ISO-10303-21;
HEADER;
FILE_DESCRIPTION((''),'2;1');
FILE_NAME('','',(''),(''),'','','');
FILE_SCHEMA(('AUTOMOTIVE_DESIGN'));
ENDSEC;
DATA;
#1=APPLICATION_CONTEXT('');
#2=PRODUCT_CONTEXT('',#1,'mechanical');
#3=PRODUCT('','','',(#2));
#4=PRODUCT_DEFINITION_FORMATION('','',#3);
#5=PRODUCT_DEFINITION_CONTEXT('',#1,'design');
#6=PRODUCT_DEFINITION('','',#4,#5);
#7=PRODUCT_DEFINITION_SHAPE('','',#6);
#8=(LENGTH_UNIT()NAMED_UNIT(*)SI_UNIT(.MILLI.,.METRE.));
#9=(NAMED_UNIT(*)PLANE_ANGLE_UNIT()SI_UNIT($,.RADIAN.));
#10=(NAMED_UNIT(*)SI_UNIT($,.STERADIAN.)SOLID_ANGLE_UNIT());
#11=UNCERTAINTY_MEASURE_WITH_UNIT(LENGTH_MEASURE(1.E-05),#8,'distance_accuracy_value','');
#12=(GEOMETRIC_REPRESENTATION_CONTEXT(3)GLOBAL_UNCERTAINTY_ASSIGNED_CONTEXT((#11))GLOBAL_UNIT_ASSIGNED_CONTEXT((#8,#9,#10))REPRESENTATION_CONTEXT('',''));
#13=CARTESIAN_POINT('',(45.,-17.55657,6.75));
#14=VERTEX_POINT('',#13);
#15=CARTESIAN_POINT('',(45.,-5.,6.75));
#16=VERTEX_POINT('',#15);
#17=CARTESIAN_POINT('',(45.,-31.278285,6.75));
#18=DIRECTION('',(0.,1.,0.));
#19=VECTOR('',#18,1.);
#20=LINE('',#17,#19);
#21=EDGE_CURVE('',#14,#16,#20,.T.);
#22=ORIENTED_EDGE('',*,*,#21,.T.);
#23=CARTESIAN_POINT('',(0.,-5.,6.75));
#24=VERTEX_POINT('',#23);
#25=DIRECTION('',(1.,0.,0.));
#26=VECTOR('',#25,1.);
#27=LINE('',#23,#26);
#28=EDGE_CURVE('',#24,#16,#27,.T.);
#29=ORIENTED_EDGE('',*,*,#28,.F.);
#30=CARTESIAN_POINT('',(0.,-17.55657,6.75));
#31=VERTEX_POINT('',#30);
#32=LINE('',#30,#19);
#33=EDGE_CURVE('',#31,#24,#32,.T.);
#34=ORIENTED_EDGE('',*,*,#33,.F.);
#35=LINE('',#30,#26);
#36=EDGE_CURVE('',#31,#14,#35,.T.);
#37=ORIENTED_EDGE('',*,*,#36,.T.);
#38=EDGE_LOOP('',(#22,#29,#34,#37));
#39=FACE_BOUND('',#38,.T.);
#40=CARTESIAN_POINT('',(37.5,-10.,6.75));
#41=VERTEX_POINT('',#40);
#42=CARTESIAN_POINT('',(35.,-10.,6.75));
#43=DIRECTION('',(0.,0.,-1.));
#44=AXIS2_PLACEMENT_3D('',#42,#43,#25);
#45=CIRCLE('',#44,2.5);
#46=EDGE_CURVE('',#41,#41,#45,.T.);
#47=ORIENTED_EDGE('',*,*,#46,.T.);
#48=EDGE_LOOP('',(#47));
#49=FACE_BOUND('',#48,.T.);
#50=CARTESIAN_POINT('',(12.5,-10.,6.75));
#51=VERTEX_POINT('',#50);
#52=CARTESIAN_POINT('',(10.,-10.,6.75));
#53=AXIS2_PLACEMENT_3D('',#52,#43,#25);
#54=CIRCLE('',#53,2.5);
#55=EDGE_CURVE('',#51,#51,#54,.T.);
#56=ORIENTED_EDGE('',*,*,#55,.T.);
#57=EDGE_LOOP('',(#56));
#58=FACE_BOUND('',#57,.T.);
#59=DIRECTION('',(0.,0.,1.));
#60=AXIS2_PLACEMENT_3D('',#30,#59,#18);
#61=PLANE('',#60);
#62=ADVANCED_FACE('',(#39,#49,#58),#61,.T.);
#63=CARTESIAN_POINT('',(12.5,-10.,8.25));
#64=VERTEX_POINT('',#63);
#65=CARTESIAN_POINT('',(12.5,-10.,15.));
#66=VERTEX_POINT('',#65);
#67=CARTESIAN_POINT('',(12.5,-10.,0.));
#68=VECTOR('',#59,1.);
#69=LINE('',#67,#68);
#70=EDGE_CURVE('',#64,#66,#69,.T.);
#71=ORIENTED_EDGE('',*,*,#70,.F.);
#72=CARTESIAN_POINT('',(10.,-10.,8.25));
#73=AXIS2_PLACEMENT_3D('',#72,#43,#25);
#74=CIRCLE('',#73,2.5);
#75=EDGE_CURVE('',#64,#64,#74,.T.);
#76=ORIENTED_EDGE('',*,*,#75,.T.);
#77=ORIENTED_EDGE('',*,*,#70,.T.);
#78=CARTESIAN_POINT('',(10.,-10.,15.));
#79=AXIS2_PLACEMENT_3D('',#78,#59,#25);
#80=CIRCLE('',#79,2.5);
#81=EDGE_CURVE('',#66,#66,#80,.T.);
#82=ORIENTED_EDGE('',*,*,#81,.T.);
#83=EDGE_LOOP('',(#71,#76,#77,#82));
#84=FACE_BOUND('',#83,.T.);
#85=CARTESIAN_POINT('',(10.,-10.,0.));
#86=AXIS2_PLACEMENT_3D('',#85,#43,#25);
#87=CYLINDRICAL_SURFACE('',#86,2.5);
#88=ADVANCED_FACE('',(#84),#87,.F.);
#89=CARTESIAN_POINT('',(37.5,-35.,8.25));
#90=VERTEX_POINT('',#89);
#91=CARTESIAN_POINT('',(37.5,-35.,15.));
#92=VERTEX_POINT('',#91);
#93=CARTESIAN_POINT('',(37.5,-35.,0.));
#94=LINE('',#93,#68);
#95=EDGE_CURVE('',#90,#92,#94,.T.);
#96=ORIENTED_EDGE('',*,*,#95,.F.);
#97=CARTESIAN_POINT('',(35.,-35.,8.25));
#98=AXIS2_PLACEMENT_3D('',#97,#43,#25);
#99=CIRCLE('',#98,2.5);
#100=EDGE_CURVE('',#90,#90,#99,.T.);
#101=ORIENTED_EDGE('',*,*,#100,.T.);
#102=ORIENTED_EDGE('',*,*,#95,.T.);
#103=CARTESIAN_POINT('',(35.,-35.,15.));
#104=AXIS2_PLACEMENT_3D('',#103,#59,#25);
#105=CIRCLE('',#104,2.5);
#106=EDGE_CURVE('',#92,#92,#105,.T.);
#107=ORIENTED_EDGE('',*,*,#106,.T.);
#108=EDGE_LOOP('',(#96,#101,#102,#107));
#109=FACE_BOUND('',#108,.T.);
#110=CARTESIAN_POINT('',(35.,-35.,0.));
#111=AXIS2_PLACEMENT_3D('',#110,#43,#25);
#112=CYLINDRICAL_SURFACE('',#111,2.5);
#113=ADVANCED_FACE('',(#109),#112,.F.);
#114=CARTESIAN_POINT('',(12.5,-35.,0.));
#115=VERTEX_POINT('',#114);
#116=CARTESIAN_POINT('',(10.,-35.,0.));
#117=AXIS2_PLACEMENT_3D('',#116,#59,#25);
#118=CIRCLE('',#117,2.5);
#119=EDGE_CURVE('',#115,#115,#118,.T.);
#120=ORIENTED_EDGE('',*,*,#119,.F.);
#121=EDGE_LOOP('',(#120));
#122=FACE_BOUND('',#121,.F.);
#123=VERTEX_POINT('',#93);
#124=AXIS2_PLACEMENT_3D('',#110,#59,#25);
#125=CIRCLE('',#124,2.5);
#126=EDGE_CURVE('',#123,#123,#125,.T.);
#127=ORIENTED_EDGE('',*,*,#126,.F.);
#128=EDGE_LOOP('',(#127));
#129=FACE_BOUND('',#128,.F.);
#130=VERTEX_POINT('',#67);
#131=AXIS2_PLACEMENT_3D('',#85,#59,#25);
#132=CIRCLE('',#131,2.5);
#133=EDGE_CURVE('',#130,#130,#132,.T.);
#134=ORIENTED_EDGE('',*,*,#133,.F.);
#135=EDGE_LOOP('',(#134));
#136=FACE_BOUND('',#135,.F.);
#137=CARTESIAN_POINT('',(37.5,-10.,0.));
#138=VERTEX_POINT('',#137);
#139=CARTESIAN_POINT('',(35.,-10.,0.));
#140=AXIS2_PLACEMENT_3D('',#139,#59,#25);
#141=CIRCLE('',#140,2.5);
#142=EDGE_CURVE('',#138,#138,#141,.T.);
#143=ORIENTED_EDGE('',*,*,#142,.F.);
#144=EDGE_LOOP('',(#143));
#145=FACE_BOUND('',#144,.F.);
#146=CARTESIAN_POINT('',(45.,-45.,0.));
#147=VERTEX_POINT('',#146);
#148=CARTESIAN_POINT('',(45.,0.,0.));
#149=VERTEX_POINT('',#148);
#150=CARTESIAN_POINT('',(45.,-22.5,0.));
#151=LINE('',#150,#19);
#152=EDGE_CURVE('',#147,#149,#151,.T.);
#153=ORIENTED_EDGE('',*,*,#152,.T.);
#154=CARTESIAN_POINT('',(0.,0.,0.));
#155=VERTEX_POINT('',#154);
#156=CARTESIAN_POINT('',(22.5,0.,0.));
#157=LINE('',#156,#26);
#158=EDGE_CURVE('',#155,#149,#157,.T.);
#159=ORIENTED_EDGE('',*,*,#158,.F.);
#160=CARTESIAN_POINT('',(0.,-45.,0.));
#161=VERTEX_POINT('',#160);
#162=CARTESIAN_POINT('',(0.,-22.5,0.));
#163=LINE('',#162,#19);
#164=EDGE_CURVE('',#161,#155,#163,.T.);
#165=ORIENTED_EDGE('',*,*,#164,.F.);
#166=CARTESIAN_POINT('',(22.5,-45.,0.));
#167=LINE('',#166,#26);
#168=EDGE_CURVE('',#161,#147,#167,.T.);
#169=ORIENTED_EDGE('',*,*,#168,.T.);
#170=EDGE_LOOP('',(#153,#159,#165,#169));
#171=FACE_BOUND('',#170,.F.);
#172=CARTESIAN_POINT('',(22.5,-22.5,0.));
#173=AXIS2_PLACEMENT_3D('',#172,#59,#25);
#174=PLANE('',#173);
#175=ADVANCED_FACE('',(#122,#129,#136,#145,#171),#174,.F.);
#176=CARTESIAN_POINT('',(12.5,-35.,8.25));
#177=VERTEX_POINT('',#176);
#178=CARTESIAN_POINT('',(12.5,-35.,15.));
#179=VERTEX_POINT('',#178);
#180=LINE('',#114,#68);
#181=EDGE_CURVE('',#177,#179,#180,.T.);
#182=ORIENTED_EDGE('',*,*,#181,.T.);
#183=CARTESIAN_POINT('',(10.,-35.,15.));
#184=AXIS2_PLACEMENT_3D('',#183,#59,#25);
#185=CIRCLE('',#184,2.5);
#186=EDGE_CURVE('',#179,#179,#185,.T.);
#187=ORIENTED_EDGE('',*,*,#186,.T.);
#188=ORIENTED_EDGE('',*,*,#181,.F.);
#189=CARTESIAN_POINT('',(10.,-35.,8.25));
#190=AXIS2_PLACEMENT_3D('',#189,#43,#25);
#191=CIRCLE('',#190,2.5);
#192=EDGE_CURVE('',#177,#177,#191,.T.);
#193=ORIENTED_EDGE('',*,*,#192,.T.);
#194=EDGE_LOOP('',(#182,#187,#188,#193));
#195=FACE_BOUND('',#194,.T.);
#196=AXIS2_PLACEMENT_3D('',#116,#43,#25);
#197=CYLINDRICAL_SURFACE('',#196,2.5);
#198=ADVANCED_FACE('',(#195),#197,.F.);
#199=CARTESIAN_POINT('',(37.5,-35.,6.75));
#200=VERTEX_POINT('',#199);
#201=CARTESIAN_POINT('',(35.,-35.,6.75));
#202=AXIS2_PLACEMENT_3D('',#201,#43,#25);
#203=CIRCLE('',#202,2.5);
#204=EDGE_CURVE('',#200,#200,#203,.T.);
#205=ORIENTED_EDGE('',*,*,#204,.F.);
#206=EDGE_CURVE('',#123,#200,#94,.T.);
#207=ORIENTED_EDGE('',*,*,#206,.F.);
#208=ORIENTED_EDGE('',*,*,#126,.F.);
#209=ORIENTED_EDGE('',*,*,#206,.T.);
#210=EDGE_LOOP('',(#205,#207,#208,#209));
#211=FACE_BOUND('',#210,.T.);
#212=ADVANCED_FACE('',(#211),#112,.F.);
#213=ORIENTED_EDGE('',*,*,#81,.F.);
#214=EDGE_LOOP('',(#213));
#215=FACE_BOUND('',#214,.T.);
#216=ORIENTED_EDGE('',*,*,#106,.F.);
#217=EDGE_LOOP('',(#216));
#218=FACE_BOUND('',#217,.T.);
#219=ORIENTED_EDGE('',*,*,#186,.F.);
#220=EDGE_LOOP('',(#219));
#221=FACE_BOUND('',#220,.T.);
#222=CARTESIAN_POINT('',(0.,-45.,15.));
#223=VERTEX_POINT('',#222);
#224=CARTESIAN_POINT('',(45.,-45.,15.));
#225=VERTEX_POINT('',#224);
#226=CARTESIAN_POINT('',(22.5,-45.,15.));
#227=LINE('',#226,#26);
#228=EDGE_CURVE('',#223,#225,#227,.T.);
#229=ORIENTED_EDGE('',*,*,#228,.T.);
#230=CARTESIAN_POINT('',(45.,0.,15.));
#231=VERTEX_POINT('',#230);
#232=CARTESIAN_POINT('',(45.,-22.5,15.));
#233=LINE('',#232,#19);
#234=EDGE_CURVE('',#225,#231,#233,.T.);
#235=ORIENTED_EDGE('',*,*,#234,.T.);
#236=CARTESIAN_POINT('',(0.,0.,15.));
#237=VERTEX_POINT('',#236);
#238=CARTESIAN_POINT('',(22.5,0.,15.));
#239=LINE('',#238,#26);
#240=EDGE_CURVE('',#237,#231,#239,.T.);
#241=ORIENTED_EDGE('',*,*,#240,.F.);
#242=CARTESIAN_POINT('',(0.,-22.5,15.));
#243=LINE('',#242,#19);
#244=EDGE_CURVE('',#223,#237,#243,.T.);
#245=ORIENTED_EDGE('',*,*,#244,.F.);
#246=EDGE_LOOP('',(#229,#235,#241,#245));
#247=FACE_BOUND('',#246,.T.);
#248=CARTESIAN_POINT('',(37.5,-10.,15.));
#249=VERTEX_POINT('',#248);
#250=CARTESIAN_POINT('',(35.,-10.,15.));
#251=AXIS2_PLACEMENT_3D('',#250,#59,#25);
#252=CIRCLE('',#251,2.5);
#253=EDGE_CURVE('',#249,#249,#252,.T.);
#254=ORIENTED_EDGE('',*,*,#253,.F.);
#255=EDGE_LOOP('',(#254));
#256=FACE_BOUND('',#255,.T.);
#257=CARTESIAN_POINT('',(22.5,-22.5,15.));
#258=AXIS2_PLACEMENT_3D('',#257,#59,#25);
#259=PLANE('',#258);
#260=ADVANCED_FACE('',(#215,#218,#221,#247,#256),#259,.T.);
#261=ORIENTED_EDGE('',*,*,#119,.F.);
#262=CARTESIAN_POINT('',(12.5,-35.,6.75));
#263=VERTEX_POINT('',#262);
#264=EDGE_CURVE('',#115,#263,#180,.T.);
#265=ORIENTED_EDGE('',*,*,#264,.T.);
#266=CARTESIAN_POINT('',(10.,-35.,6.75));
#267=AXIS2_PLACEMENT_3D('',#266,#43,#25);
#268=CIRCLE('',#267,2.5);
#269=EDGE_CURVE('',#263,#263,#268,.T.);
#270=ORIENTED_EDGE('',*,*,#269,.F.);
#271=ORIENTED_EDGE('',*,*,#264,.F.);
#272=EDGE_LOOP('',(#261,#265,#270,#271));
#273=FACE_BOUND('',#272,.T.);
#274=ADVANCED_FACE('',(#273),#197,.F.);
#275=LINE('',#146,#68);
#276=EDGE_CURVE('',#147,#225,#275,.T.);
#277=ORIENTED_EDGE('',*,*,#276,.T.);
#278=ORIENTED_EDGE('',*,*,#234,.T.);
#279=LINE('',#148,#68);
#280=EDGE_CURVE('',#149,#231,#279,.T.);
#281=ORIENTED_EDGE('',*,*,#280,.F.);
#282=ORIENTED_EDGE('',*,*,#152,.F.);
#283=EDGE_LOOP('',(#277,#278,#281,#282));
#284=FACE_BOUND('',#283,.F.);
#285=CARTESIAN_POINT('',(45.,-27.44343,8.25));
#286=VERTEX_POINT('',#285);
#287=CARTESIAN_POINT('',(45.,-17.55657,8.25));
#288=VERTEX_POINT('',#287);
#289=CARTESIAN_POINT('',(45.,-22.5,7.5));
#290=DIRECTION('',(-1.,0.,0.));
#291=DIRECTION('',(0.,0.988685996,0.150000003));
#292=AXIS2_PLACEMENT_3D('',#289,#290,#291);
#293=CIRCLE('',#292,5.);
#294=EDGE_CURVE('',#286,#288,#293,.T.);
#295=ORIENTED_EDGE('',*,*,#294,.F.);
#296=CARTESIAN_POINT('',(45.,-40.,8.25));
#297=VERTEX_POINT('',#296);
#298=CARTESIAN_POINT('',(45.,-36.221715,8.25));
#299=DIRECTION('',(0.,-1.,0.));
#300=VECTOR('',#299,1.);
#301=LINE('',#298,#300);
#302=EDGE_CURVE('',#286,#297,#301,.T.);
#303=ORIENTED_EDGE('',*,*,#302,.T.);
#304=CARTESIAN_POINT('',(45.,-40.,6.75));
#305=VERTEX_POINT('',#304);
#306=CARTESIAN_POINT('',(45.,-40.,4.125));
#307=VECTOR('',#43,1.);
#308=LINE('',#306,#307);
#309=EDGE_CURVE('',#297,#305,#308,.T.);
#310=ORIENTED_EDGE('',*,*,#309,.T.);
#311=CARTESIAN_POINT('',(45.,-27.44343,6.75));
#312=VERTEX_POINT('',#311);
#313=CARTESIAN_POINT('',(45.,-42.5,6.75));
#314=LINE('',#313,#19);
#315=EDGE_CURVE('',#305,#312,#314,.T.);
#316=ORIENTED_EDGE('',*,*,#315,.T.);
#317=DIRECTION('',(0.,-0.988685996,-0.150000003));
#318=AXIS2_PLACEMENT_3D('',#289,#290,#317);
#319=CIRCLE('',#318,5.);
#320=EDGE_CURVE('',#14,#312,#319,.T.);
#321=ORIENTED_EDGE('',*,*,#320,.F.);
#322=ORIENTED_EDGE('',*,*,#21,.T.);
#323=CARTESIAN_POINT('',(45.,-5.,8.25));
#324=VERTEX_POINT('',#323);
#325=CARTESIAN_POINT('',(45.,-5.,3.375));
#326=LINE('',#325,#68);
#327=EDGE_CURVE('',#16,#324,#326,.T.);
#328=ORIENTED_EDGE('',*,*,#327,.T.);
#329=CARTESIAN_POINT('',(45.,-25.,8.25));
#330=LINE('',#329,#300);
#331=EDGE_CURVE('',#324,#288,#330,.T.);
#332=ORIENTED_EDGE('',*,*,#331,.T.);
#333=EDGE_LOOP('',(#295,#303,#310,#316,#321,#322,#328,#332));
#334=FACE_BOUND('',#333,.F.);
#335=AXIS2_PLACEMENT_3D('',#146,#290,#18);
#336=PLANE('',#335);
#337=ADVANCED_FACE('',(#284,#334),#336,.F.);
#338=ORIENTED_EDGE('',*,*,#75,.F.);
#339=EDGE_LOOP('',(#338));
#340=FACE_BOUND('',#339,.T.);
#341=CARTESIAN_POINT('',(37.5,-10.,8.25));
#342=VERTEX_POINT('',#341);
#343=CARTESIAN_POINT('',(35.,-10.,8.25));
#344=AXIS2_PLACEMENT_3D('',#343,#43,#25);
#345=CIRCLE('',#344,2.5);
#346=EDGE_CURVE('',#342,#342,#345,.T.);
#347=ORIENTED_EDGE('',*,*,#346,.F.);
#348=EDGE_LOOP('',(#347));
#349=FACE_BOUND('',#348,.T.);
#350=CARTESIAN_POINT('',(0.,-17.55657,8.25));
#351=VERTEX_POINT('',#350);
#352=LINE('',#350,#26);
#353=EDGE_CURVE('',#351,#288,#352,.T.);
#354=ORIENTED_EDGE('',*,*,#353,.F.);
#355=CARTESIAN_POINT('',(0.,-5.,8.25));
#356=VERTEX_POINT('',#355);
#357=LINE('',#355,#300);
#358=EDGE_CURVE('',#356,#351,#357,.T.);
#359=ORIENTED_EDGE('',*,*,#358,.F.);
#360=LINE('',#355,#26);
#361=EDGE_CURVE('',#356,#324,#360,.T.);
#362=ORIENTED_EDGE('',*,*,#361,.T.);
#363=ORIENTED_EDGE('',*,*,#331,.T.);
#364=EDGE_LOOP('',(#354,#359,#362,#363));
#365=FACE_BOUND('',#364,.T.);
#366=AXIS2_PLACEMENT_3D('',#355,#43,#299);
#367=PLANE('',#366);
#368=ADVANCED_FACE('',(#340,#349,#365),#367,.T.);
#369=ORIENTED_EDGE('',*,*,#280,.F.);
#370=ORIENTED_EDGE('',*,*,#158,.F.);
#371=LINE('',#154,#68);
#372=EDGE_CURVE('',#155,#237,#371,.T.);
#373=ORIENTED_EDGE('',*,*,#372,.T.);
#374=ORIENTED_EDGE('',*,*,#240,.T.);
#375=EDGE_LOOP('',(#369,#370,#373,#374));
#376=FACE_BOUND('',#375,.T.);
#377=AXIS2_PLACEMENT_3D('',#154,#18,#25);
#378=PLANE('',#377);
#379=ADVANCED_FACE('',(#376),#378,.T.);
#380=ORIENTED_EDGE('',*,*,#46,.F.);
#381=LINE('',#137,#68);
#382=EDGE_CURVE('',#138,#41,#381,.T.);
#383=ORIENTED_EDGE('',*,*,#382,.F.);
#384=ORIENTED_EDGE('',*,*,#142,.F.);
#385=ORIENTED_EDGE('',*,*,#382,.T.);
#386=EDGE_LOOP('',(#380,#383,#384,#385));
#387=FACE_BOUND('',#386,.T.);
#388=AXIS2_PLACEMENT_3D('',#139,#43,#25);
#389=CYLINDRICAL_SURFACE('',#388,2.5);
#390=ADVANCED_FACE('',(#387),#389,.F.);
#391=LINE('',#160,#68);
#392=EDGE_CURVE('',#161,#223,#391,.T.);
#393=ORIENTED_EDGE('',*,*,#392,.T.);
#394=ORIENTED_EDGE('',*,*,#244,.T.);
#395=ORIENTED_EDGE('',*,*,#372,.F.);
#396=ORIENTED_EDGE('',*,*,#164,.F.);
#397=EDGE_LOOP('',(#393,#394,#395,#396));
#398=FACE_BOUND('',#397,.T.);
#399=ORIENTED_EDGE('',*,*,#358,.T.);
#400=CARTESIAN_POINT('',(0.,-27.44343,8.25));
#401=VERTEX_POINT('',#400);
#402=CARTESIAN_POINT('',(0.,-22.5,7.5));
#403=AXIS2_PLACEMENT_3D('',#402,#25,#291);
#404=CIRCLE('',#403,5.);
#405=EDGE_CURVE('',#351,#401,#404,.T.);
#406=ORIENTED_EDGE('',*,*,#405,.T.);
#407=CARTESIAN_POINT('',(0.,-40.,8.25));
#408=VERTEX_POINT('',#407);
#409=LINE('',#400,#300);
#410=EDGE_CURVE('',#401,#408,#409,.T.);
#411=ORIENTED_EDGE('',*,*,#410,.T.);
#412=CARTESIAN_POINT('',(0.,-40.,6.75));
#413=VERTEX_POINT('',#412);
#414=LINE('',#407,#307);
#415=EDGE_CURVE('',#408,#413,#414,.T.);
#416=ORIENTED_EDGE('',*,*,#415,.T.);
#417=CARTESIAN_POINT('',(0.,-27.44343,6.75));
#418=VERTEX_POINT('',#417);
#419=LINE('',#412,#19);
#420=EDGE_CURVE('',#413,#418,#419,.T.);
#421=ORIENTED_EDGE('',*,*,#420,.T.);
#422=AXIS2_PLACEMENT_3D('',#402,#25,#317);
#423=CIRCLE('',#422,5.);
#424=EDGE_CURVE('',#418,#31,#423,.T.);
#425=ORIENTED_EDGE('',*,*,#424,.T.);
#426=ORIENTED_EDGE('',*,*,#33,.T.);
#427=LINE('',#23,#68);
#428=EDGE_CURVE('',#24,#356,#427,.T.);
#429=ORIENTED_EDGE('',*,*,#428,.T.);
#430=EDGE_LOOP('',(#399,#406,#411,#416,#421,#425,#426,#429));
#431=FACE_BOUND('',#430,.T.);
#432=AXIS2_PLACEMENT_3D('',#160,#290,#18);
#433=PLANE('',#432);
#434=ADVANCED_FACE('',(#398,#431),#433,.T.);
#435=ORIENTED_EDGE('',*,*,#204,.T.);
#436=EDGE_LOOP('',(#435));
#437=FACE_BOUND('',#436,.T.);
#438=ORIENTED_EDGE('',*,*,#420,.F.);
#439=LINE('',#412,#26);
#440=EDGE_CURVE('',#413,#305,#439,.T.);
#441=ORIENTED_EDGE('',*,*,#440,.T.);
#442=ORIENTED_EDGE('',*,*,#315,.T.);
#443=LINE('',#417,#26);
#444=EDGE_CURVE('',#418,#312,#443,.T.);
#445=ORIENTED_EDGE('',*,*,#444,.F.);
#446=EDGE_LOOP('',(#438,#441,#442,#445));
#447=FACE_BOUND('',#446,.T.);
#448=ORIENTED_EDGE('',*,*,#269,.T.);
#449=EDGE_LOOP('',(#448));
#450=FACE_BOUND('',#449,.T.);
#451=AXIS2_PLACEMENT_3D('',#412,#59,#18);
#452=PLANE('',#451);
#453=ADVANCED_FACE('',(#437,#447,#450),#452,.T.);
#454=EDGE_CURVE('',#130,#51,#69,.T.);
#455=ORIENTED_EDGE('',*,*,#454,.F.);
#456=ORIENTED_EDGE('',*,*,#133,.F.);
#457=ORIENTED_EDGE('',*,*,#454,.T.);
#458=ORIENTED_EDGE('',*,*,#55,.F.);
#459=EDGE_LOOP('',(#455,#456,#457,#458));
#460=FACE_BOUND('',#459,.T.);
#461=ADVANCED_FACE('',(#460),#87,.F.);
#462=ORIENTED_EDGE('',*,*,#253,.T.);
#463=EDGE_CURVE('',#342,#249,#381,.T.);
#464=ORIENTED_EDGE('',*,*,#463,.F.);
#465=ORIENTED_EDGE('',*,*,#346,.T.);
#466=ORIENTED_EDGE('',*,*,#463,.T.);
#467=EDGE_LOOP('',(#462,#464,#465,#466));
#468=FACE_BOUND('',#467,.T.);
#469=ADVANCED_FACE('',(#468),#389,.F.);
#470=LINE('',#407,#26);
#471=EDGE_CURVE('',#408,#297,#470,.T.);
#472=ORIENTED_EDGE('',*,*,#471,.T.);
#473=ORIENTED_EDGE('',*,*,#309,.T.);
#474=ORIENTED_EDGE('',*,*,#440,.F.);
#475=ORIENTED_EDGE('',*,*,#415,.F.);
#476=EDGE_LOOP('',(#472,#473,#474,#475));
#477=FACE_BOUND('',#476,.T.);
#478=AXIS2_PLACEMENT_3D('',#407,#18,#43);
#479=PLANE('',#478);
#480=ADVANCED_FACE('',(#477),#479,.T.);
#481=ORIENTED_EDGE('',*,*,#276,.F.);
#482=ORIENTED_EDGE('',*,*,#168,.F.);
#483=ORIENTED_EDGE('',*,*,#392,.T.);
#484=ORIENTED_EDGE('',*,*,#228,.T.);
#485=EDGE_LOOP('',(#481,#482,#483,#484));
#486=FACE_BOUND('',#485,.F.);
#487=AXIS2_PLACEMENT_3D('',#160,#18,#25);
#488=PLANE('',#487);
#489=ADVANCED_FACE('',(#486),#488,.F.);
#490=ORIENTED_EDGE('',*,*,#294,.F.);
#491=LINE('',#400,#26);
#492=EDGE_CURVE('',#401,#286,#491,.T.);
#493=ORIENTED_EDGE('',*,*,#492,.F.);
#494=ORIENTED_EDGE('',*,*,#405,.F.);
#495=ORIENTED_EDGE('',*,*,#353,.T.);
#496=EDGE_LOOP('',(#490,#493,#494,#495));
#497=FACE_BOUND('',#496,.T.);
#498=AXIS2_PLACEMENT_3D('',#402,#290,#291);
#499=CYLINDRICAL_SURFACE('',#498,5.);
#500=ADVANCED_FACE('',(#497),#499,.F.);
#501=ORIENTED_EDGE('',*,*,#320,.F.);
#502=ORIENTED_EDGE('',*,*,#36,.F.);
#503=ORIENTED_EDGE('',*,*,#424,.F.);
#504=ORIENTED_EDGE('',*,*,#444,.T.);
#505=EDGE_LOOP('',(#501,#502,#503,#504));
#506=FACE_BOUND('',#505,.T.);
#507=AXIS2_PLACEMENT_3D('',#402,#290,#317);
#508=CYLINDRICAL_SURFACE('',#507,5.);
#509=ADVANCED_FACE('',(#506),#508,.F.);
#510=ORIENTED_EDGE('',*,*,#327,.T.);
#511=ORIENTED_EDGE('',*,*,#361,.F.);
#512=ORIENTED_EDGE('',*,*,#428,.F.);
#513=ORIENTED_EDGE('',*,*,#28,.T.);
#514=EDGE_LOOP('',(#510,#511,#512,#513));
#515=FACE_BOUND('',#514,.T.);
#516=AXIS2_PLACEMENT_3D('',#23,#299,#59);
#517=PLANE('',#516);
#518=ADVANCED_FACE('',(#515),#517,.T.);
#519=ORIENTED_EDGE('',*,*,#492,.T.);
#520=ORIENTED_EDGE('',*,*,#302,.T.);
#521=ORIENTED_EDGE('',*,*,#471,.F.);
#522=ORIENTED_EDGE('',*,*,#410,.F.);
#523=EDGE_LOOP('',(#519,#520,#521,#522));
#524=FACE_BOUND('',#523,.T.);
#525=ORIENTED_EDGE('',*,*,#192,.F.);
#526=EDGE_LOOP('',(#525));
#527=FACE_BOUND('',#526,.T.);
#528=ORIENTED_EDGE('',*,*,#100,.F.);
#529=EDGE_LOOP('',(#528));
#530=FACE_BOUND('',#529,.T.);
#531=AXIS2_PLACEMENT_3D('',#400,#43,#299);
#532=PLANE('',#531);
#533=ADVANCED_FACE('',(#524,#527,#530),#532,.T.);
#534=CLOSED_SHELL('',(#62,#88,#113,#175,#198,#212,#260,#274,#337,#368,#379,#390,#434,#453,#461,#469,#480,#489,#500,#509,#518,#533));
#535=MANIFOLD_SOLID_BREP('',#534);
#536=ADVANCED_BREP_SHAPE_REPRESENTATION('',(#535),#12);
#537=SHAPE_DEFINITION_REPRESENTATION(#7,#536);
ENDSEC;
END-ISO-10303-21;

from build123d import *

# Parameters (mm, degrees)
F0_W     = 45
F0_H     = 45
F0_R     = 2.5
F1_DEPTH = 15
F3_DEPTH = 50


with BuildPart() as f1:
    # F0 (on Top) → F1 (new body)
    with BuildSketch(Plane.XY):
        with Locations((22.5, -22.5)):
            Rectangle(F0_W, F0_H)
        with Locations((10, -35)):
            Circle(F0_R, mode=Mode.SUBTRACT)
        with Locations((35, -35)):
            Circle(F0_R, mode=Mode.SUBTRACT)
        with Locations((10, -10)):
            Circle(F0_R, mode=Mode.SUBTRACT)
        with Locations((35, -10)):
            Circle(F0_R, mode=Mode.SUBTRACT)
    extrude(amount=F1_DEPTH)

    # F2 (on Right) → F3 (cut)
    with BuildSketch(Plane.YZ):
        with BuildLine():
            Line((-17.55657, 6.75), (-5, 6.75))
            Line((-5, 6.75), (-5, 8.25))
            Line((-5, 8.25), (-17.55657, 8.25))
            ThreePointArc((-17.55657, 8.25), (-22.5, 12.5), (-27.44343, 8.25))
            Line((-27.44343, 8.25), (-40, 8.25))
            Line((-40, 8.25), (-40, 6.75))
            Line((-40, 6.75), (-27.44343, 6.75))
            ThreePointArc((-27.44343, 6.75), (-22.5, 2.5), (-17.55657, 6.75))
        make_face()
    extrude(amount=F3_DEPTH, mode=Mode.SUBTRACT)


solid = f1.part
